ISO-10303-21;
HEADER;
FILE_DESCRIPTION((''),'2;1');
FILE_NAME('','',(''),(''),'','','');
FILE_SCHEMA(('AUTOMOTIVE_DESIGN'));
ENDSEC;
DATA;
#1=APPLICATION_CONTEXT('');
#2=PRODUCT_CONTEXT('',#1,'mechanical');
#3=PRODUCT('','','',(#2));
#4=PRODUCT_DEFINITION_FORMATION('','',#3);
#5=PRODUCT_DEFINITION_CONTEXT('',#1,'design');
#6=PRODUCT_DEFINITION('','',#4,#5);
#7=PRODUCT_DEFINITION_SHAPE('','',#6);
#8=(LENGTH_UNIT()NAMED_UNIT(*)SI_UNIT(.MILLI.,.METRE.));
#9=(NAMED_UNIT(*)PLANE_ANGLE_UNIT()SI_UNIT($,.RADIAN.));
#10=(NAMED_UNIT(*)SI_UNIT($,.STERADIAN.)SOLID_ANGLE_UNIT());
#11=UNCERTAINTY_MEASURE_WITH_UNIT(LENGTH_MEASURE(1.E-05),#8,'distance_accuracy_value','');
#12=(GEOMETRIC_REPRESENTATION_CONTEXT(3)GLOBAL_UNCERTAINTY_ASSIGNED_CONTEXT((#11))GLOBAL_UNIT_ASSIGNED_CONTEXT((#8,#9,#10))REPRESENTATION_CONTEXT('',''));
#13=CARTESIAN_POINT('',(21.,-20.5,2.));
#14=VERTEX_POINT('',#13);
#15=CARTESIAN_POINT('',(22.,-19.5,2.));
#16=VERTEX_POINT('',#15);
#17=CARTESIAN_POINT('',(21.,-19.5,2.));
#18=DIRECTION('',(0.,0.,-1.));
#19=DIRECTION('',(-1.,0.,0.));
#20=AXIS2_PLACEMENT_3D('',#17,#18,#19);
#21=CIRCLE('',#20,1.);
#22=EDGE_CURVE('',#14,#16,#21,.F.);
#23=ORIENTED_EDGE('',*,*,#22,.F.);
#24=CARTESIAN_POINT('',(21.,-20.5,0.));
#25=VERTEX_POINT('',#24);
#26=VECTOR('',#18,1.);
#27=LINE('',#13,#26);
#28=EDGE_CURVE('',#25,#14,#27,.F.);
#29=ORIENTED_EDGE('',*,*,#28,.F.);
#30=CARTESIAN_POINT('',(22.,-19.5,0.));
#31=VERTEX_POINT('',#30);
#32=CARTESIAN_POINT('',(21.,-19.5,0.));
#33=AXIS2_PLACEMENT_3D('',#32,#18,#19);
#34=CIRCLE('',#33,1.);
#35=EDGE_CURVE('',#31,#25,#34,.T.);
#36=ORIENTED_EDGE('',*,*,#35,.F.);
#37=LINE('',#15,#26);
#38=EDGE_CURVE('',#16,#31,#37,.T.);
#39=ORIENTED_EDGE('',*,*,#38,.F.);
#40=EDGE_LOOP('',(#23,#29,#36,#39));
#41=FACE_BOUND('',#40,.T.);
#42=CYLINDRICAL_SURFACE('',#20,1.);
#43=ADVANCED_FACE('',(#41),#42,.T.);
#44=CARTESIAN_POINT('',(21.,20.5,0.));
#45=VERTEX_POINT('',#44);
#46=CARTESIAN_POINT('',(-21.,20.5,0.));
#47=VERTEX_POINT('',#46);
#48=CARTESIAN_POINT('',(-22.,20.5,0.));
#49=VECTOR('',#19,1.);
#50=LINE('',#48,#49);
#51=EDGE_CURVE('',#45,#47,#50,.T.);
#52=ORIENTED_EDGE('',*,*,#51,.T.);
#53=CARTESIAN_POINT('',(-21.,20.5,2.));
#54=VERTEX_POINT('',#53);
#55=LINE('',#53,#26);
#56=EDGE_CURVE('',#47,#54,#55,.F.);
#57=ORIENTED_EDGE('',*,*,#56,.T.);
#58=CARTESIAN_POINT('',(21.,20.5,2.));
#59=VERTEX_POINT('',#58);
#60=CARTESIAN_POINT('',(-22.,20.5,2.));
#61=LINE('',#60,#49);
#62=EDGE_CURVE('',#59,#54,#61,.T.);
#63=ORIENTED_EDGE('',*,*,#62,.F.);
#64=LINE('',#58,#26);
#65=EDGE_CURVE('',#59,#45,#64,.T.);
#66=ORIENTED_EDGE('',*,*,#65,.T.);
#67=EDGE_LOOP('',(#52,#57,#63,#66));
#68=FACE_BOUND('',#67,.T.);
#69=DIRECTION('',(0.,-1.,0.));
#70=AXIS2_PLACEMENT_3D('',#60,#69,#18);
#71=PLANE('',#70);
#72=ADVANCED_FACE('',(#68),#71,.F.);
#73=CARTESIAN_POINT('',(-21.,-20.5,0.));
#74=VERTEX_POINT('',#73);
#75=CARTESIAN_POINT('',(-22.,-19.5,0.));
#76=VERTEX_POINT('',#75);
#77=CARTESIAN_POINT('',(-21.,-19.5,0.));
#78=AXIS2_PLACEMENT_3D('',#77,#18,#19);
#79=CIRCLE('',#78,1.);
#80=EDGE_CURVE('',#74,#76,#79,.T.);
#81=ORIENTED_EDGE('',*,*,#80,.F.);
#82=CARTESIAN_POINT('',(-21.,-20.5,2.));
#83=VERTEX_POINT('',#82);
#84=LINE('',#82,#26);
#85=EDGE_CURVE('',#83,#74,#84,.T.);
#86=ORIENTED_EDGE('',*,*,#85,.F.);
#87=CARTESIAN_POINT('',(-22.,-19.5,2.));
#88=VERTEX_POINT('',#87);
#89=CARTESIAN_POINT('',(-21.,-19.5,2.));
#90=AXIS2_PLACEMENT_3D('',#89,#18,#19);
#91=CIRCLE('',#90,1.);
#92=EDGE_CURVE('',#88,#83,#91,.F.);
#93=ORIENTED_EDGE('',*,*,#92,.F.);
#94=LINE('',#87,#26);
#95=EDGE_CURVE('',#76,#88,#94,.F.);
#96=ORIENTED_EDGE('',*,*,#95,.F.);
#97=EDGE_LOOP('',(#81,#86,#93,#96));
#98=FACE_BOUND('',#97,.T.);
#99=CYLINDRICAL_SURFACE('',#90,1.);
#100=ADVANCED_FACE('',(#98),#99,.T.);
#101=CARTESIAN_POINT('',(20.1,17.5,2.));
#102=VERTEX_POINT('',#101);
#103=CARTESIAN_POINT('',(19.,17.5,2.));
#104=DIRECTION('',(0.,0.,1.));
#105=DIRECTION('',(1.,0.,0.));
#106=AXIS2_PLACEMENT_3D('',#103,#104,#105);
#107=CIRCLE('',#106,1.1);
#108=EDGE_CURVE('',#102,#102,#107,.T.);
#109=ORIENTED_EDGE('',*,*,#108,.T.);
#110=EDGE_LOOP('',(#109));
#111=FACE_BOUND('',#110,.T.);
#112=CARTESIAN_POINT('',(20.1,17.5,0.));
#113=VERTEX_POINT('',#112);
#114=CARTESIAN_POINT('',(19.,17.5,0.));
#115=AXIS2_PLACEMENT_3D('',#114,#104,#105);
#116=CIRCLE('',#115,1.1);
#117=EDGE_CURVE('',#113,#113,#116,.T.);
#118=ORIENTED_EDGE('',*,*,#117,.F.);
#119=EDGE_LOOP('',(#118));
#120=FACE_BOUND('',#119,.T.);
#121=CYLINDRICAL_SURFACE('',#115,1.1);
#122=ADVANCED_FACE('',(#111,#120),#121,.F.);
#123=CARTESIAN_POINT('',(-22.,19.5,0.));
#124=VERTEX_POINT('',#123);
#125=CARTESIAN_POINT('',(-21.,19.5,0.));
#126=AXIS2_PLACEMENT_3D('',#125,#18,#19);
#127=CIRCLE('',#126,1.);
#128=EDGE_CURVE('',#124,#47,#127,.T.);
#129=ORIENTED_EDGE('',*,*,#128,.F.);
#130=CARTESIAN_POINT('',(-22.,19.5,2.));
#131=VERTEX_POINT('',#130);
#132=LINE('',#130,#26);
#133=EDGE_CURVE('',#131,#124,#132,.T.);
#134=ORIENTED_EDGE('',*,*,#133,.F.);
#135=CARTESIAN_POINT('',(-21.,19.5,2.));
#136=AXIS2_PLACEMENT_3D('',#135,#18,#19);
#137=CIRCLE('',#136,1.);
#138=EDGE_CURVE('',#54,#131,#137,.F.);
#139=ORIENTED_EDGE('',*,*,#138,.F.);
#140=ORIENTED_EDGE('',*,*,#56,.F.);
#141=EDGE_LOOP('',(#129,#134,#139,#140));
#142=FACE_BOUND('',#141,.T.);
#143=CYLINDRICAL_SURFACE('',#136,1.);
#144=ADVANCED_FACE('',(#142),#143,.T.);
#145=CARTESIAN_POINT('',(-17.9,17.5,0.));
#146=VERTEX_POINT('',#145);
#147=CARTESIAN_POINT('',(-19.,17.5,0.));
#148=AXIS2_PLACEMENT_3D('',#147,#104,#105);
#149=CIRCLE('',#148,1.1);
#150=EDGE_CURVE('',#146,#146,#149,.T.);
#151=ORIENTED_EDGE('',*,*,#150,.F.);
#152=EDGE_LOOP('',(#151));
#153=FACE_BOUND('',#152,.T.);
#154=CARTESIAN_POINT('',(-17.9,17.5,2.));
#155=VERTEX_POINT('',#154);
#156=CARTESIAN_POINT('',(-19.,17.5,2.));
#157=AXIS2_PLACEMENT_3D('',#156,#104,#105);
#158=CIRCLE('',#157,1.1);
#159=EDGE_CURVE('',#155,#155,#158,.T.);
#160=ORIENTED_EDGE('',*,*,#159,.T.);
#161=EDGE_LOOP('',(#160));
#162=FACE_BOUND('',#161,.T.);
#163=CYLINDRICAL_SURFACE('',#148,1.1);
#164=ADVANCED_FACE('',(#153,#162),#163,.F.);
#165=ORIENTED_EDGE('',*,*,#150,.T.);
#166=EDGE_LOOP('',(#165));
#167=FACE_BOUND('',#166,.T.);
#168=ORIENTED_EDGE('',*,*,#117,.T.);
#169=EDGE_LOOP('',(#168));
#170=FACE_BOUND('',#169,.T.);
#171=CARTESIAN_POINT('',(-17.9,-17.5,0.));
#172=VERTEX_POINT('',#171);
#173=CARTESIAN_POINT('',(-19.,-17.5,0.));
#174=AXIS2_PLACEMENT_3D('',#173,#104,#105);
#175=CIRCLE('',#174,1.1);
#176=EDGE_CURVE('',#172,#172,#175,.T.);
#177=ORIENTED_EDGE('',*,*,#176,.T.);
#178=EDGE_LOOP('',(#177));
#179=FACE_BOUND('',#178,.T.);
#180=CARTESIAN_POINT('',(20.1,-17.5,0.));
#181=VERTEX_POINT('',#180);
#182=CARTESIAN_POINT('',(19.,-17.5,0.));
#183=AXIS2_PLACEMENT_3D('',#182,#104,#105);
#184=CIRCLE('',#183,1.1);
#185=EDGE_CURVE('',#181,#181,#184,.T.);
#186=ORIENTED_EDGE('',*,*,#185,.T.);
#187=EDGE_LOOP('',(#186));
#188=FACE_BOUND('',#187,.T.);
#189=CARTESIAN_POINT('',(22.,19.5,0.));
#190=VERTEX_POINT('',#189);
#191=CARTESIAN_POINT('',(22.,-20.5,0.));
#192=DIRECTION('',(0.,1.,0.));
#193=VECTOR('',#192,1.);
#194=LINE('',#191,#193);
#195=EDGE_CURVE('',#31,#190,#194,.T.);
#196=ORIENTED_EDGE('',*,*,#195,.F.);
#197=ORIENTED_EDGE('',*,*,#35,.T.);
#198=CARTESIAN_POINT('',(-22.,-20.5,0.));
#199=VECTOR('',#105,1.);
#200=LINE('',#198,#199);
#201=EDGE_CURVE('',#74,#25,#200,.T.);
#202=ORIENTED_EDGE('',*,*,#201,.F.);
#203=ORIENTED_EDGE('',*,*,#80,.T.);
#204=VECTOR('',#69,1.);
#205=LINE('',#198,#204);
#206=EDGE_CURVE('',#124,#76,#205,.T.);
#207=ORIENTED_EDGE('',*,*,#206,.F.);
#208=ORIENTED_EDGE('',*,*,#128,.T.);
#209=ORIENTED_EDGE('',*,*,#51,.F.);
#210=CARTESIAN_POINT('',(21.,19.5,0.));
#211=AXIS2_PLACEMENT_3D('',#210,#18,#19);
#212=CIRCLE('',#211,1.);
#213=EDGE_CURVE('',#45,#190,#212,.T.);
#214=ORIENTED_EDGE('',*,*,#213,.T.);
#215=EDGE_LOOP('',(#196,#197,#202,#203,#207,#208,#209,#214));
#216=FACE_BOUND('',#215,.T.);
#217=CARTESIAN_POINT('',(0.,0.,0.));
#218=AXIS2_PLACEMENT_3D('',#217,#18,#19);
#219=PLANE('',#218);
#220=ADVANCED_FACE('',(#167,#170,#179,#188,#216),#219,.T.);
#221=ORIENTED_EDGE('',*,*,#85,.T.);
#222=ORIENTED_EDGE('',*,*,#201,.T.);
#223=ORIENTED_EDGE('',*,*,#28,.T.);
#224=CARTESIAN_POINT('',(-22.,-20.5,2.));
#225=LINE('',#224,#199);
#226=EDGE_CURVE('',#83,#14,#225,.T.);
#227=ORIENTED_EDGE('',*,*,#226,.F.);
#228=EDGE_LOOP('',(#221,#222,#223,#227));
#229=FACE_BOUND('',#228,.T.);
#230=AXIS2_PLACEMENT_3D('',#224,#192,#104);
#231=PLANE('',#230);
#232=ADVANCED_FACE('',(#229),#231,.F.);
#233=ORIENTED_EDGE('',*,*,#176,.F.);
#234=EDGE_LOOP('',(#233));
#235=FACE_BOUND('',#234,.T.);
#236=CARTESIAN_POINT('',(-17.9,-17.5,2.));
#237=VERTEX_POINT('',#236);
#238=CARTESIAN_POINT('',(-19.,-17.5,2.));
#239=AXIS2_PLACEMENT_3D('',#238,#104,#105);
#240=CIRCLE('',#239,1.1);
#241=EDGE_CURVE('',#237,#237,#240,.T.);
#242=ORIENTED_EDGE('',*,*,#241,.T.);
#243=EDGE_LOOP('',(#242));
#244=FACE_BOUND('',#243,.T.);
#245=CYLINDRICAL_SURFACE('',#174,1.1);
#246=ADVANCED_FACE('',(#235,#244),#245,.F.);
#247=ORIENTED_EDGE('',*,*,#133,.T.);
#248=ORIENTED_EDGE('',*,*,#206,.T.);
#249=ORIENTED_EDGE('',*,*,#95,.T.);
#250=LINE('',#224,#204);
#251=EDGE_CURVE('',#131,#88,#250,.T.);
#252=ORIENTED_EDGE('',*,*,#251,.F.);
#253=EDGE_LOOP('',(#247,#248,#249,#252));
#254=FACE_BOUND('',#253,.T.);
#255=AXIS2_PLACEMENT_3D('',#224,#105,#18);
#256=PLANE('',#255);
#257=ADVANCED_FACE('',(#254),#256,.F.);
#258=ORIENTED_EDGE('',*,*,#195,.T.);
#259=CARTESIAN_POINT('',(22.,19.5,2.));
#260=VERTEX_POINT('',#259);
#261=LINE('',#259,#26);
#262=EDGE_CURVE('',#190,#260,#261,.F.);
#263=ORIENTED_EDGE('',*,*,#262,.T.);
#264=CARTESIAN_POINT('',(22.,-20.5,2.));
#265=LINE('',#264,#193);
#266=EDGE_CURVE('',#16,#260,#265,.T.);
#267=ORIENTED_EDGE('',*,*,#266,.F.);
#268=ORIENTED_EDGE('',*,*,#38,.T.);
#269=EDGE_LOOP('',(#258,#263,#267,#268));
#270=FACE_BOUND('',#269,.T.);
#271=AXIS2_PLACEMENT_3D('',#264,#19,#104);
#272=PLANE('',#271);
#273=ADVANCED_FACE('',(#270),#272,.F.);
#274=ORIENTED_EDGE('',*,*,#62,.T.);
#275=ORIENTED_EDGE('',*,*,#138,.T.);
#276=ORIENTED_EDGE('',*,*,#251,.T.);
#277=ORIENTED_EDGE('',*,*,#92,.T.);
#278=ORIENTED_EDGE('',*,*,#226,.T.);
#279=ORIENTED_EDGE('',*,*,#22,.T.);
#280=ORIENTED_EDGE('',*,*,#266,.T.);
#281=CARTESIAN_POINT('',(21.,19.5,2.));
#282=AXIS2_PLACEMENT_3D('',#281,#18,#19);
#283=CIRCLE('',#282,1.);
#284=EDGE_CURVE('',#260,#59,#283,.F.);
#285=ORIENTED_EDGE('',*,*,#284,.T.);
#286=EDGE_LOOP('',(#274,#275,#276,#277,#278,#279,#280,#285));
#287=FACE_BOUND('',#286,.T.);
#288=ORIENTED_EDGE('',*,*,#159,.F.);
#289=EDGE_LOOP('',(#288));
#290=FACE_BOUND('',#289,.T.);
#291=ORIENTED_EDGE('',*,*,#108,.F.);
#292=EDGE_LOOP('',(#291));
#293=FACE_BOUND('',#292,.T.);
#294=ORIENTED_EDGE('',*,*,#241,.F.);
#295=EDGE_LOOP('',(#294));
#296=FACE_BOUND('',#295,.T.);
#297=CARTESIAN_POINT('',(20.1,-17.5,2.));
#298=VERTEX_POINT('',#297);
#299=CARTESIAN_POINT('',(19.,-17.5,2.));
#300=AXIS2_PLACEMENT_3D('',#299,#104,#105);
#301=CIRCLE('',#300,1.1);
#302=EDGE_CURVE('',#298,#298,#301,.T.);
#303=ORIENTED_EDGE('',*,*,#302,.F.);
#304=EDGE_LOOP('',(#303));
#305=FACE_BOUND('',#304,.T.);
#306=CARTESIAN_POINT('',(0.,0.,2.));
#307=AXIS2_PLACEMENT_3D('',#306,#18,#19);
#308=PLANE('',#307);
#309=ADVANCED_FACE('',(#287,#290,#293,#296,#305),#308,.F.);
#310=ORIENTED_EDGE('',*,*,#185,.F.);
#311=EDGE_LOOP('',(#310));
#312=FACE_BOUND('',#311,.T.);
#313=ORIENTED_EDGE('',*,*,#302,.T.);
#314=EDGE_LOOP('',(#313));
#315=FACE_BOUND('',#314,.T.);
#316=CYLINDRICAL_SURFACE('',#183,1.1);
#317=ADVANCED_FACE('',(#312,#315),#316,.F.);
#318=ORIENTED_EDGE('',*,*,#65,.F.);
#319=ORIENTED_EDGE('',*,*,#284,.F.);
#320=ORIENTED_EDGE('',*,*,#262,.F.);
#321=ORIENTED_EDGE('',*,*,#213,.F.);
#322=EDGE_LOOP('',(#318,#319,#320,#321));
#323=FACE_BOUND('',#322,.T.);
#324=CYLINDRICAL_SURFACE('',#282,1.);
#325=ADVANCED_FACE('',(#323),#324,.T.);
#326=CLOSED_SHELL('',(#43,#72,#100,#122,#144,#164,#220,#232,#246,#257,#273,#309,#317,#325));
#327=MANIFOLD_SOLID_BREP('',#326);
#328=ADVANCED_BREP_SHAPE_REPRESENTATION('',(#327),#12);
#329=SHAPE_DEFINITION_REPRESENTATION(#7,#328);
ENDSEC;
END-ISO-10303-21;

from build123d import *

# Parameters (mm, degrees)
SKETCH_1_W          = 44
SKETCH_1_H          = 41
EXTRUDE_1_DEPTH     = 2
SKETCH_2_R          = 1.1
CUT_EXTRUDE_1_DEPTH = 2
FILLET_1_R          = 1


with BuildPart() as part:
    # 草图1 → 凸台-拉伸1 (new body)
    with BuildSketch(Plane.XY):
        Rectangle(SKETCH_1_W, SKETCH_1_H)
    extrude(amount=EXTRUDE_1_DEPTH)

    # 草图2 → 切除-拉伸1 (cut)
    with BuildSketch(Plane.XY.offset(2)):
        with Locations((19, 17.5)):
            Circle(SKETCH_2_R)
        with Locations((-19, 17.5)):
            Circle(SKETCH_2_R)
        with Locations((-19, -17.5)):
            Circle(SKETCH_2_R)
        with Locations((19, -17.5)):
            Circle(SKETCH_2_R)
    extrude(amount=-CUT_EXTRUDE_1_DEPTH, mode=Mode.SUBTRACT)

    # 圆角1
    fillet_1_edges = [part.edges().sort_by_distance(p)[0] for p in [
        (22, -20.5, 1),
        (-22, -20.5, 1),
        (-22, 20.5, 1),
        (22, 20.5, 1),
    ]]
    fillet(fillet_1_edges, radius=FILLET_1_R)


solid = part.part
